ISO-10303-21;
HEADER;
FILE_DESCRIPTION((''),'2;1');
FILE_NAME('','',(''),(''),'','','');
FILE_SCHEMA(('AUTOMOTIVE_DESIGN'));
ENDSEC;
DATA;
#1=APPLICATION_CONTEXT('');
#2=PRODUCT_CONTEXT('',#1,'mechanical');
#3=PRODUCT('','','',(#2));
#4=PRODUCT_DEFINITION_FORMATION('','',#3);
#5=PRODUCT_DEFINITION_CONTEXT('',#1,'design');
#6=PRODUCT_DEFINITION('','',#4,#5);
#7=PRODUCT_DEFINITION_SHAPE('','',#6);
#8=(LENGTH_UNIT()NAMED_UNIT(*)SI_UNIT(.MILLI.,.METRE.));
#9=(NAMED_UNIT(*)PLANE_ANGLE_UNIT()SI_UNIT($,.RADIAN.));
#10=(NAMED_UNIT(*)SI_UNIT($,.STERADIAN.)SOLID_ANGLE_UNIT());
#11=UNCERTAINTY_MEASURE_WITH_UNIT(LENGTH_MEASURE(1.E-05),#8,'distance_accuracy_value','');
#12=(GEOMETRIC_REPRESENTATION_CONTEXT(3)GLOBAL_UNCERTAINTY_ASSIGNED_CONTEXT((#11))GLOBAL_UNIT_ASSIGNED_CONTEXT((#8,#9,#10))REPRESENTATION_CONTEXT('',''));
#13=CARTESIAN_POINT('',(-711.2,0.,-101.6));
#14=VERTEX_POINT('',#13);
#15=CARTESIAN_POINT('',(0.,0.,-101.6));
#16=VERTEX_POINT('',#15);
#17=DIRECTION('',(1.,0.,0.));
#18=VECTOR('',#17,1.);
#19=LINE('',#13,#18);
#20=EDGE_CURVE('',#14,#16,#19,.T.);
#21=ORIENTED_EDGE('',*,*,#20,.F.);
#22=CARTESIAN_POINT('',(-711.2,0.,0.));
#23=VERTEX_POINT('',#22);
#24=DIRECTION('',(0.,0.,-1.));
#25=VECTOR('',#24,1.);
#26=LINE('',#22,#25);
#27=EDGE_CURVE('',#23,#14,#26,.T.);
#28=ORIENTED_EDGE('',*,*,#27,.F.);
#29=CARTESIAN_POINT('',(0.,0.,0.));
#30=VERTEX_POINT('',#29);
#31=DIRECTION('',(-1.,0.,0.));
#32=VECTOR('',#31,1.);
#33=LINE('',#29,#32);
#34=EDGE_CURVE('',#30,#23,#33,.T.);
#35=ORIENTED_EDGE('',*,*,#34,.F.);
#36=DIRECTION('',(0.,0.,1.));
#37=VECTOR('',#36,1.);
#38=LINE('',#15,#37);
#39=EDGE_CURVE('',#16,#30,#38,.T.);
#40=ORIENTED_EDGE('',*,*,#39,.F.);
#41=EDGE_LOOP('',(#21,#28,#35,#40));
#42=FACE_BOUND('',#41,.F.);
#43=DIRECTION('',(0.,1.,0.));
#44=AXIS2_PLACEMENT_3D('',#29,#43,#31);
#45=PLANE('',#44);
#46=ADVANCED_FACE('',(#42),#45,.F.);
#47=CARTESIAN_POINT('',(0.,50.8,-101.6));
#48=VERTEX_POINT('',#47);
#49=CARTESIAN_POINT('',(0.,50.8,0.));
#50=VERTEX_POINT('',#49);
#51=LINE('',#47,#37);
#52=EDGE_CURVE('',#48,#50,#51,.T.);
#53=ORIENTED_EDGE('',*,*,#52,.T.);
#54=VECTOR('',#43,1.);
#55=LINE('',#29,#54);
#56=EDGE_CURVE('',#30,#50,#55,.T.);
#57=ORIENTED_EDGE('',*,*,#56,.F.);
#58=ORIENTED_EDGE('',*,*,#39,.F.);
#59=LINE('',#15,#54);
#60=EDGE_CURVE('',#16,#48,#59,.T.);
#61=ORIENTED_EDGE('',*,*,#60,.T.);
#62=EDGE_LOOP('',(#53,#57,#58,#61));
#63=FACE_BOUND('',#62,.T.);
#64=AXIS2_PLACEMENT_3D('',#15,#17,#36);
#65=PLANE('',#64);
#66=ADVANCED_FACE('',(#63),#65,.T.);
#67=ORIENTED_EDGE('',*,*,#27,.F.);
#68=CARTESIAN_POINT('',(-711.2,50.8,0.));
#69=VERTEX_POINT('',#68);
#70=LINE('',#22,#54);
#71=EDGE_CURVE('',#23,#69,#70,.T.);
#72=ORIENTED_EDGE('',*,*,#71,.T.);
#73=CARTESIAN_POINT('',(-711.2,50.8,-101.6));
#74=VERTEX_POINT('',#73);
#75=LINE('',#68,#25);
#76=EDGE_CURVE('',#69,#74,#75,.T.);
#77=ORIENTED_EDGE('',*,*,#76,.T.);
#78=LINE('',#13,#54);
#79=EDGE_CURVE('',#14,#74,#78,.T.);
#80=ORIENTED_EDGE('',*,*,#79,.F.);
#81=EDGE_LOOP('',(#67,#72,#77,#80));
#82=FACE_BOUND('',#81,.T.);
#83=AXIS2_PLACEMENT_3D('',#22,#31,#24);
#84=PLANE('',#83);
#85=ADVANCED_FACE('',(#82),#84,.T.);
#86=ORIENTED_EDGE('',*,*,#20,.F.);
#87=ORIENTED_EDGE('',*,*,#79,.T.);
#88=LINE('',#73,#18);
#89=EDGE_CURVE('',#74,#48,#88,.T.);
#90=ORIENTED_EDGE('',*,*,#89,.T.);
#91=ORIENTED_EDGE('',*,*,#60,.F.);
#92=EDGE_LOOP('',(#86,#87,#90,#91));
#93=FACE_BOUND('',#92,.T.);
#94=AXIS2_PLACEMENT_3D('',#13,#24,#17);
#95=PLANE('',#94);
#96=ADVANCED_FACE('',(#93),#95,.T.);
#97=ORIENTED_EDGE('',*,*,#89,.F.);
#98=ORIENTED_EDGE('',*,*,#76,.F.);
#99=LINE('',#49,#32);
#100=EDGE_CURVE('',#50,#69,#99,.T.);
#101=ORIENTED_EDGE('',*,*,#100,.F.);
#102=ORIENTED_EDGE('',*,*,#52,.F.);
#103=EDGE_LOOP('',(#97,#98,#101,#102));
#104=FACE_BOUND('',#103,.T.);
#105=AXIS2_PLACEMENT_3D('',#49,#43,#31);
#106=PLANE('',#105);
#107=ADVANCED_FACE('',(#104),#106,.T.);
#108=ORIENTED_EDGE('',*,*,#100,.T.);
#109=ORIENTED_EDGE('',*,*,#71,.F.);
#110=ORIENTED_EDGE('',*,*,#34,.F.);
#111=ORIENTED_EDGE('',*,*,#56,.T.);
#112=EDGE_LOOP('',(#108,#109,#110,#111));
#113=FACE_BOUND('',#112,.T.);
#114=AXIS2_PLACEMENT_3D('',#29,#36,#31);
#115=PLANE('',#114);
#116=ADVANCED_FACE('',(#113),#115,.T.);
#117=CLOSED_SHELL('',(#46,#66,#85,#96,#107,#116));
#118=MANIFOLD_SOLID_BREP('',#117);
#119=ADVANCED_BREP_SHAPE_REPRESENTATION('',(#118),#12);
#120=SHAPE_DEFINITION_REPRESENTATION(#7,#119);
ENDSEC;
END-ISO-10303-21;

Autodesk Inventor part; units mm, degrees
ref_plane "YZ Plane" through (0, 0, 0) normal (1, 0, 0) x (0, 1, 0)
ref_plane "XZ Plane" through (0, 0, 0) normal (0, 1, 0) x (-1, 0, 0)
ref_plane "XY Plane" through (0, 0, 0) normal (0, 0, 1) x (1, 0, 0)
sketch "Sketch1" plane through (0, 0, 0) normal (0, 1, 0) x (-1, 0, 0)
  line L0 (0, 0) -> (711.2, 0)
  line L1 (711.2, 0) -> (711.2, -101.6)
  line L2 (711.2, -101.6) -> (0, -101.6)
  line L3 (0, -101.6) -> (0, 0)
  dimension "d0" = 711.2
  dimension "d1" = 101.6
extrude "Extrusion1" add sketch "Sketch1" along normal blind 50.8
properties part number "2x4x36"
